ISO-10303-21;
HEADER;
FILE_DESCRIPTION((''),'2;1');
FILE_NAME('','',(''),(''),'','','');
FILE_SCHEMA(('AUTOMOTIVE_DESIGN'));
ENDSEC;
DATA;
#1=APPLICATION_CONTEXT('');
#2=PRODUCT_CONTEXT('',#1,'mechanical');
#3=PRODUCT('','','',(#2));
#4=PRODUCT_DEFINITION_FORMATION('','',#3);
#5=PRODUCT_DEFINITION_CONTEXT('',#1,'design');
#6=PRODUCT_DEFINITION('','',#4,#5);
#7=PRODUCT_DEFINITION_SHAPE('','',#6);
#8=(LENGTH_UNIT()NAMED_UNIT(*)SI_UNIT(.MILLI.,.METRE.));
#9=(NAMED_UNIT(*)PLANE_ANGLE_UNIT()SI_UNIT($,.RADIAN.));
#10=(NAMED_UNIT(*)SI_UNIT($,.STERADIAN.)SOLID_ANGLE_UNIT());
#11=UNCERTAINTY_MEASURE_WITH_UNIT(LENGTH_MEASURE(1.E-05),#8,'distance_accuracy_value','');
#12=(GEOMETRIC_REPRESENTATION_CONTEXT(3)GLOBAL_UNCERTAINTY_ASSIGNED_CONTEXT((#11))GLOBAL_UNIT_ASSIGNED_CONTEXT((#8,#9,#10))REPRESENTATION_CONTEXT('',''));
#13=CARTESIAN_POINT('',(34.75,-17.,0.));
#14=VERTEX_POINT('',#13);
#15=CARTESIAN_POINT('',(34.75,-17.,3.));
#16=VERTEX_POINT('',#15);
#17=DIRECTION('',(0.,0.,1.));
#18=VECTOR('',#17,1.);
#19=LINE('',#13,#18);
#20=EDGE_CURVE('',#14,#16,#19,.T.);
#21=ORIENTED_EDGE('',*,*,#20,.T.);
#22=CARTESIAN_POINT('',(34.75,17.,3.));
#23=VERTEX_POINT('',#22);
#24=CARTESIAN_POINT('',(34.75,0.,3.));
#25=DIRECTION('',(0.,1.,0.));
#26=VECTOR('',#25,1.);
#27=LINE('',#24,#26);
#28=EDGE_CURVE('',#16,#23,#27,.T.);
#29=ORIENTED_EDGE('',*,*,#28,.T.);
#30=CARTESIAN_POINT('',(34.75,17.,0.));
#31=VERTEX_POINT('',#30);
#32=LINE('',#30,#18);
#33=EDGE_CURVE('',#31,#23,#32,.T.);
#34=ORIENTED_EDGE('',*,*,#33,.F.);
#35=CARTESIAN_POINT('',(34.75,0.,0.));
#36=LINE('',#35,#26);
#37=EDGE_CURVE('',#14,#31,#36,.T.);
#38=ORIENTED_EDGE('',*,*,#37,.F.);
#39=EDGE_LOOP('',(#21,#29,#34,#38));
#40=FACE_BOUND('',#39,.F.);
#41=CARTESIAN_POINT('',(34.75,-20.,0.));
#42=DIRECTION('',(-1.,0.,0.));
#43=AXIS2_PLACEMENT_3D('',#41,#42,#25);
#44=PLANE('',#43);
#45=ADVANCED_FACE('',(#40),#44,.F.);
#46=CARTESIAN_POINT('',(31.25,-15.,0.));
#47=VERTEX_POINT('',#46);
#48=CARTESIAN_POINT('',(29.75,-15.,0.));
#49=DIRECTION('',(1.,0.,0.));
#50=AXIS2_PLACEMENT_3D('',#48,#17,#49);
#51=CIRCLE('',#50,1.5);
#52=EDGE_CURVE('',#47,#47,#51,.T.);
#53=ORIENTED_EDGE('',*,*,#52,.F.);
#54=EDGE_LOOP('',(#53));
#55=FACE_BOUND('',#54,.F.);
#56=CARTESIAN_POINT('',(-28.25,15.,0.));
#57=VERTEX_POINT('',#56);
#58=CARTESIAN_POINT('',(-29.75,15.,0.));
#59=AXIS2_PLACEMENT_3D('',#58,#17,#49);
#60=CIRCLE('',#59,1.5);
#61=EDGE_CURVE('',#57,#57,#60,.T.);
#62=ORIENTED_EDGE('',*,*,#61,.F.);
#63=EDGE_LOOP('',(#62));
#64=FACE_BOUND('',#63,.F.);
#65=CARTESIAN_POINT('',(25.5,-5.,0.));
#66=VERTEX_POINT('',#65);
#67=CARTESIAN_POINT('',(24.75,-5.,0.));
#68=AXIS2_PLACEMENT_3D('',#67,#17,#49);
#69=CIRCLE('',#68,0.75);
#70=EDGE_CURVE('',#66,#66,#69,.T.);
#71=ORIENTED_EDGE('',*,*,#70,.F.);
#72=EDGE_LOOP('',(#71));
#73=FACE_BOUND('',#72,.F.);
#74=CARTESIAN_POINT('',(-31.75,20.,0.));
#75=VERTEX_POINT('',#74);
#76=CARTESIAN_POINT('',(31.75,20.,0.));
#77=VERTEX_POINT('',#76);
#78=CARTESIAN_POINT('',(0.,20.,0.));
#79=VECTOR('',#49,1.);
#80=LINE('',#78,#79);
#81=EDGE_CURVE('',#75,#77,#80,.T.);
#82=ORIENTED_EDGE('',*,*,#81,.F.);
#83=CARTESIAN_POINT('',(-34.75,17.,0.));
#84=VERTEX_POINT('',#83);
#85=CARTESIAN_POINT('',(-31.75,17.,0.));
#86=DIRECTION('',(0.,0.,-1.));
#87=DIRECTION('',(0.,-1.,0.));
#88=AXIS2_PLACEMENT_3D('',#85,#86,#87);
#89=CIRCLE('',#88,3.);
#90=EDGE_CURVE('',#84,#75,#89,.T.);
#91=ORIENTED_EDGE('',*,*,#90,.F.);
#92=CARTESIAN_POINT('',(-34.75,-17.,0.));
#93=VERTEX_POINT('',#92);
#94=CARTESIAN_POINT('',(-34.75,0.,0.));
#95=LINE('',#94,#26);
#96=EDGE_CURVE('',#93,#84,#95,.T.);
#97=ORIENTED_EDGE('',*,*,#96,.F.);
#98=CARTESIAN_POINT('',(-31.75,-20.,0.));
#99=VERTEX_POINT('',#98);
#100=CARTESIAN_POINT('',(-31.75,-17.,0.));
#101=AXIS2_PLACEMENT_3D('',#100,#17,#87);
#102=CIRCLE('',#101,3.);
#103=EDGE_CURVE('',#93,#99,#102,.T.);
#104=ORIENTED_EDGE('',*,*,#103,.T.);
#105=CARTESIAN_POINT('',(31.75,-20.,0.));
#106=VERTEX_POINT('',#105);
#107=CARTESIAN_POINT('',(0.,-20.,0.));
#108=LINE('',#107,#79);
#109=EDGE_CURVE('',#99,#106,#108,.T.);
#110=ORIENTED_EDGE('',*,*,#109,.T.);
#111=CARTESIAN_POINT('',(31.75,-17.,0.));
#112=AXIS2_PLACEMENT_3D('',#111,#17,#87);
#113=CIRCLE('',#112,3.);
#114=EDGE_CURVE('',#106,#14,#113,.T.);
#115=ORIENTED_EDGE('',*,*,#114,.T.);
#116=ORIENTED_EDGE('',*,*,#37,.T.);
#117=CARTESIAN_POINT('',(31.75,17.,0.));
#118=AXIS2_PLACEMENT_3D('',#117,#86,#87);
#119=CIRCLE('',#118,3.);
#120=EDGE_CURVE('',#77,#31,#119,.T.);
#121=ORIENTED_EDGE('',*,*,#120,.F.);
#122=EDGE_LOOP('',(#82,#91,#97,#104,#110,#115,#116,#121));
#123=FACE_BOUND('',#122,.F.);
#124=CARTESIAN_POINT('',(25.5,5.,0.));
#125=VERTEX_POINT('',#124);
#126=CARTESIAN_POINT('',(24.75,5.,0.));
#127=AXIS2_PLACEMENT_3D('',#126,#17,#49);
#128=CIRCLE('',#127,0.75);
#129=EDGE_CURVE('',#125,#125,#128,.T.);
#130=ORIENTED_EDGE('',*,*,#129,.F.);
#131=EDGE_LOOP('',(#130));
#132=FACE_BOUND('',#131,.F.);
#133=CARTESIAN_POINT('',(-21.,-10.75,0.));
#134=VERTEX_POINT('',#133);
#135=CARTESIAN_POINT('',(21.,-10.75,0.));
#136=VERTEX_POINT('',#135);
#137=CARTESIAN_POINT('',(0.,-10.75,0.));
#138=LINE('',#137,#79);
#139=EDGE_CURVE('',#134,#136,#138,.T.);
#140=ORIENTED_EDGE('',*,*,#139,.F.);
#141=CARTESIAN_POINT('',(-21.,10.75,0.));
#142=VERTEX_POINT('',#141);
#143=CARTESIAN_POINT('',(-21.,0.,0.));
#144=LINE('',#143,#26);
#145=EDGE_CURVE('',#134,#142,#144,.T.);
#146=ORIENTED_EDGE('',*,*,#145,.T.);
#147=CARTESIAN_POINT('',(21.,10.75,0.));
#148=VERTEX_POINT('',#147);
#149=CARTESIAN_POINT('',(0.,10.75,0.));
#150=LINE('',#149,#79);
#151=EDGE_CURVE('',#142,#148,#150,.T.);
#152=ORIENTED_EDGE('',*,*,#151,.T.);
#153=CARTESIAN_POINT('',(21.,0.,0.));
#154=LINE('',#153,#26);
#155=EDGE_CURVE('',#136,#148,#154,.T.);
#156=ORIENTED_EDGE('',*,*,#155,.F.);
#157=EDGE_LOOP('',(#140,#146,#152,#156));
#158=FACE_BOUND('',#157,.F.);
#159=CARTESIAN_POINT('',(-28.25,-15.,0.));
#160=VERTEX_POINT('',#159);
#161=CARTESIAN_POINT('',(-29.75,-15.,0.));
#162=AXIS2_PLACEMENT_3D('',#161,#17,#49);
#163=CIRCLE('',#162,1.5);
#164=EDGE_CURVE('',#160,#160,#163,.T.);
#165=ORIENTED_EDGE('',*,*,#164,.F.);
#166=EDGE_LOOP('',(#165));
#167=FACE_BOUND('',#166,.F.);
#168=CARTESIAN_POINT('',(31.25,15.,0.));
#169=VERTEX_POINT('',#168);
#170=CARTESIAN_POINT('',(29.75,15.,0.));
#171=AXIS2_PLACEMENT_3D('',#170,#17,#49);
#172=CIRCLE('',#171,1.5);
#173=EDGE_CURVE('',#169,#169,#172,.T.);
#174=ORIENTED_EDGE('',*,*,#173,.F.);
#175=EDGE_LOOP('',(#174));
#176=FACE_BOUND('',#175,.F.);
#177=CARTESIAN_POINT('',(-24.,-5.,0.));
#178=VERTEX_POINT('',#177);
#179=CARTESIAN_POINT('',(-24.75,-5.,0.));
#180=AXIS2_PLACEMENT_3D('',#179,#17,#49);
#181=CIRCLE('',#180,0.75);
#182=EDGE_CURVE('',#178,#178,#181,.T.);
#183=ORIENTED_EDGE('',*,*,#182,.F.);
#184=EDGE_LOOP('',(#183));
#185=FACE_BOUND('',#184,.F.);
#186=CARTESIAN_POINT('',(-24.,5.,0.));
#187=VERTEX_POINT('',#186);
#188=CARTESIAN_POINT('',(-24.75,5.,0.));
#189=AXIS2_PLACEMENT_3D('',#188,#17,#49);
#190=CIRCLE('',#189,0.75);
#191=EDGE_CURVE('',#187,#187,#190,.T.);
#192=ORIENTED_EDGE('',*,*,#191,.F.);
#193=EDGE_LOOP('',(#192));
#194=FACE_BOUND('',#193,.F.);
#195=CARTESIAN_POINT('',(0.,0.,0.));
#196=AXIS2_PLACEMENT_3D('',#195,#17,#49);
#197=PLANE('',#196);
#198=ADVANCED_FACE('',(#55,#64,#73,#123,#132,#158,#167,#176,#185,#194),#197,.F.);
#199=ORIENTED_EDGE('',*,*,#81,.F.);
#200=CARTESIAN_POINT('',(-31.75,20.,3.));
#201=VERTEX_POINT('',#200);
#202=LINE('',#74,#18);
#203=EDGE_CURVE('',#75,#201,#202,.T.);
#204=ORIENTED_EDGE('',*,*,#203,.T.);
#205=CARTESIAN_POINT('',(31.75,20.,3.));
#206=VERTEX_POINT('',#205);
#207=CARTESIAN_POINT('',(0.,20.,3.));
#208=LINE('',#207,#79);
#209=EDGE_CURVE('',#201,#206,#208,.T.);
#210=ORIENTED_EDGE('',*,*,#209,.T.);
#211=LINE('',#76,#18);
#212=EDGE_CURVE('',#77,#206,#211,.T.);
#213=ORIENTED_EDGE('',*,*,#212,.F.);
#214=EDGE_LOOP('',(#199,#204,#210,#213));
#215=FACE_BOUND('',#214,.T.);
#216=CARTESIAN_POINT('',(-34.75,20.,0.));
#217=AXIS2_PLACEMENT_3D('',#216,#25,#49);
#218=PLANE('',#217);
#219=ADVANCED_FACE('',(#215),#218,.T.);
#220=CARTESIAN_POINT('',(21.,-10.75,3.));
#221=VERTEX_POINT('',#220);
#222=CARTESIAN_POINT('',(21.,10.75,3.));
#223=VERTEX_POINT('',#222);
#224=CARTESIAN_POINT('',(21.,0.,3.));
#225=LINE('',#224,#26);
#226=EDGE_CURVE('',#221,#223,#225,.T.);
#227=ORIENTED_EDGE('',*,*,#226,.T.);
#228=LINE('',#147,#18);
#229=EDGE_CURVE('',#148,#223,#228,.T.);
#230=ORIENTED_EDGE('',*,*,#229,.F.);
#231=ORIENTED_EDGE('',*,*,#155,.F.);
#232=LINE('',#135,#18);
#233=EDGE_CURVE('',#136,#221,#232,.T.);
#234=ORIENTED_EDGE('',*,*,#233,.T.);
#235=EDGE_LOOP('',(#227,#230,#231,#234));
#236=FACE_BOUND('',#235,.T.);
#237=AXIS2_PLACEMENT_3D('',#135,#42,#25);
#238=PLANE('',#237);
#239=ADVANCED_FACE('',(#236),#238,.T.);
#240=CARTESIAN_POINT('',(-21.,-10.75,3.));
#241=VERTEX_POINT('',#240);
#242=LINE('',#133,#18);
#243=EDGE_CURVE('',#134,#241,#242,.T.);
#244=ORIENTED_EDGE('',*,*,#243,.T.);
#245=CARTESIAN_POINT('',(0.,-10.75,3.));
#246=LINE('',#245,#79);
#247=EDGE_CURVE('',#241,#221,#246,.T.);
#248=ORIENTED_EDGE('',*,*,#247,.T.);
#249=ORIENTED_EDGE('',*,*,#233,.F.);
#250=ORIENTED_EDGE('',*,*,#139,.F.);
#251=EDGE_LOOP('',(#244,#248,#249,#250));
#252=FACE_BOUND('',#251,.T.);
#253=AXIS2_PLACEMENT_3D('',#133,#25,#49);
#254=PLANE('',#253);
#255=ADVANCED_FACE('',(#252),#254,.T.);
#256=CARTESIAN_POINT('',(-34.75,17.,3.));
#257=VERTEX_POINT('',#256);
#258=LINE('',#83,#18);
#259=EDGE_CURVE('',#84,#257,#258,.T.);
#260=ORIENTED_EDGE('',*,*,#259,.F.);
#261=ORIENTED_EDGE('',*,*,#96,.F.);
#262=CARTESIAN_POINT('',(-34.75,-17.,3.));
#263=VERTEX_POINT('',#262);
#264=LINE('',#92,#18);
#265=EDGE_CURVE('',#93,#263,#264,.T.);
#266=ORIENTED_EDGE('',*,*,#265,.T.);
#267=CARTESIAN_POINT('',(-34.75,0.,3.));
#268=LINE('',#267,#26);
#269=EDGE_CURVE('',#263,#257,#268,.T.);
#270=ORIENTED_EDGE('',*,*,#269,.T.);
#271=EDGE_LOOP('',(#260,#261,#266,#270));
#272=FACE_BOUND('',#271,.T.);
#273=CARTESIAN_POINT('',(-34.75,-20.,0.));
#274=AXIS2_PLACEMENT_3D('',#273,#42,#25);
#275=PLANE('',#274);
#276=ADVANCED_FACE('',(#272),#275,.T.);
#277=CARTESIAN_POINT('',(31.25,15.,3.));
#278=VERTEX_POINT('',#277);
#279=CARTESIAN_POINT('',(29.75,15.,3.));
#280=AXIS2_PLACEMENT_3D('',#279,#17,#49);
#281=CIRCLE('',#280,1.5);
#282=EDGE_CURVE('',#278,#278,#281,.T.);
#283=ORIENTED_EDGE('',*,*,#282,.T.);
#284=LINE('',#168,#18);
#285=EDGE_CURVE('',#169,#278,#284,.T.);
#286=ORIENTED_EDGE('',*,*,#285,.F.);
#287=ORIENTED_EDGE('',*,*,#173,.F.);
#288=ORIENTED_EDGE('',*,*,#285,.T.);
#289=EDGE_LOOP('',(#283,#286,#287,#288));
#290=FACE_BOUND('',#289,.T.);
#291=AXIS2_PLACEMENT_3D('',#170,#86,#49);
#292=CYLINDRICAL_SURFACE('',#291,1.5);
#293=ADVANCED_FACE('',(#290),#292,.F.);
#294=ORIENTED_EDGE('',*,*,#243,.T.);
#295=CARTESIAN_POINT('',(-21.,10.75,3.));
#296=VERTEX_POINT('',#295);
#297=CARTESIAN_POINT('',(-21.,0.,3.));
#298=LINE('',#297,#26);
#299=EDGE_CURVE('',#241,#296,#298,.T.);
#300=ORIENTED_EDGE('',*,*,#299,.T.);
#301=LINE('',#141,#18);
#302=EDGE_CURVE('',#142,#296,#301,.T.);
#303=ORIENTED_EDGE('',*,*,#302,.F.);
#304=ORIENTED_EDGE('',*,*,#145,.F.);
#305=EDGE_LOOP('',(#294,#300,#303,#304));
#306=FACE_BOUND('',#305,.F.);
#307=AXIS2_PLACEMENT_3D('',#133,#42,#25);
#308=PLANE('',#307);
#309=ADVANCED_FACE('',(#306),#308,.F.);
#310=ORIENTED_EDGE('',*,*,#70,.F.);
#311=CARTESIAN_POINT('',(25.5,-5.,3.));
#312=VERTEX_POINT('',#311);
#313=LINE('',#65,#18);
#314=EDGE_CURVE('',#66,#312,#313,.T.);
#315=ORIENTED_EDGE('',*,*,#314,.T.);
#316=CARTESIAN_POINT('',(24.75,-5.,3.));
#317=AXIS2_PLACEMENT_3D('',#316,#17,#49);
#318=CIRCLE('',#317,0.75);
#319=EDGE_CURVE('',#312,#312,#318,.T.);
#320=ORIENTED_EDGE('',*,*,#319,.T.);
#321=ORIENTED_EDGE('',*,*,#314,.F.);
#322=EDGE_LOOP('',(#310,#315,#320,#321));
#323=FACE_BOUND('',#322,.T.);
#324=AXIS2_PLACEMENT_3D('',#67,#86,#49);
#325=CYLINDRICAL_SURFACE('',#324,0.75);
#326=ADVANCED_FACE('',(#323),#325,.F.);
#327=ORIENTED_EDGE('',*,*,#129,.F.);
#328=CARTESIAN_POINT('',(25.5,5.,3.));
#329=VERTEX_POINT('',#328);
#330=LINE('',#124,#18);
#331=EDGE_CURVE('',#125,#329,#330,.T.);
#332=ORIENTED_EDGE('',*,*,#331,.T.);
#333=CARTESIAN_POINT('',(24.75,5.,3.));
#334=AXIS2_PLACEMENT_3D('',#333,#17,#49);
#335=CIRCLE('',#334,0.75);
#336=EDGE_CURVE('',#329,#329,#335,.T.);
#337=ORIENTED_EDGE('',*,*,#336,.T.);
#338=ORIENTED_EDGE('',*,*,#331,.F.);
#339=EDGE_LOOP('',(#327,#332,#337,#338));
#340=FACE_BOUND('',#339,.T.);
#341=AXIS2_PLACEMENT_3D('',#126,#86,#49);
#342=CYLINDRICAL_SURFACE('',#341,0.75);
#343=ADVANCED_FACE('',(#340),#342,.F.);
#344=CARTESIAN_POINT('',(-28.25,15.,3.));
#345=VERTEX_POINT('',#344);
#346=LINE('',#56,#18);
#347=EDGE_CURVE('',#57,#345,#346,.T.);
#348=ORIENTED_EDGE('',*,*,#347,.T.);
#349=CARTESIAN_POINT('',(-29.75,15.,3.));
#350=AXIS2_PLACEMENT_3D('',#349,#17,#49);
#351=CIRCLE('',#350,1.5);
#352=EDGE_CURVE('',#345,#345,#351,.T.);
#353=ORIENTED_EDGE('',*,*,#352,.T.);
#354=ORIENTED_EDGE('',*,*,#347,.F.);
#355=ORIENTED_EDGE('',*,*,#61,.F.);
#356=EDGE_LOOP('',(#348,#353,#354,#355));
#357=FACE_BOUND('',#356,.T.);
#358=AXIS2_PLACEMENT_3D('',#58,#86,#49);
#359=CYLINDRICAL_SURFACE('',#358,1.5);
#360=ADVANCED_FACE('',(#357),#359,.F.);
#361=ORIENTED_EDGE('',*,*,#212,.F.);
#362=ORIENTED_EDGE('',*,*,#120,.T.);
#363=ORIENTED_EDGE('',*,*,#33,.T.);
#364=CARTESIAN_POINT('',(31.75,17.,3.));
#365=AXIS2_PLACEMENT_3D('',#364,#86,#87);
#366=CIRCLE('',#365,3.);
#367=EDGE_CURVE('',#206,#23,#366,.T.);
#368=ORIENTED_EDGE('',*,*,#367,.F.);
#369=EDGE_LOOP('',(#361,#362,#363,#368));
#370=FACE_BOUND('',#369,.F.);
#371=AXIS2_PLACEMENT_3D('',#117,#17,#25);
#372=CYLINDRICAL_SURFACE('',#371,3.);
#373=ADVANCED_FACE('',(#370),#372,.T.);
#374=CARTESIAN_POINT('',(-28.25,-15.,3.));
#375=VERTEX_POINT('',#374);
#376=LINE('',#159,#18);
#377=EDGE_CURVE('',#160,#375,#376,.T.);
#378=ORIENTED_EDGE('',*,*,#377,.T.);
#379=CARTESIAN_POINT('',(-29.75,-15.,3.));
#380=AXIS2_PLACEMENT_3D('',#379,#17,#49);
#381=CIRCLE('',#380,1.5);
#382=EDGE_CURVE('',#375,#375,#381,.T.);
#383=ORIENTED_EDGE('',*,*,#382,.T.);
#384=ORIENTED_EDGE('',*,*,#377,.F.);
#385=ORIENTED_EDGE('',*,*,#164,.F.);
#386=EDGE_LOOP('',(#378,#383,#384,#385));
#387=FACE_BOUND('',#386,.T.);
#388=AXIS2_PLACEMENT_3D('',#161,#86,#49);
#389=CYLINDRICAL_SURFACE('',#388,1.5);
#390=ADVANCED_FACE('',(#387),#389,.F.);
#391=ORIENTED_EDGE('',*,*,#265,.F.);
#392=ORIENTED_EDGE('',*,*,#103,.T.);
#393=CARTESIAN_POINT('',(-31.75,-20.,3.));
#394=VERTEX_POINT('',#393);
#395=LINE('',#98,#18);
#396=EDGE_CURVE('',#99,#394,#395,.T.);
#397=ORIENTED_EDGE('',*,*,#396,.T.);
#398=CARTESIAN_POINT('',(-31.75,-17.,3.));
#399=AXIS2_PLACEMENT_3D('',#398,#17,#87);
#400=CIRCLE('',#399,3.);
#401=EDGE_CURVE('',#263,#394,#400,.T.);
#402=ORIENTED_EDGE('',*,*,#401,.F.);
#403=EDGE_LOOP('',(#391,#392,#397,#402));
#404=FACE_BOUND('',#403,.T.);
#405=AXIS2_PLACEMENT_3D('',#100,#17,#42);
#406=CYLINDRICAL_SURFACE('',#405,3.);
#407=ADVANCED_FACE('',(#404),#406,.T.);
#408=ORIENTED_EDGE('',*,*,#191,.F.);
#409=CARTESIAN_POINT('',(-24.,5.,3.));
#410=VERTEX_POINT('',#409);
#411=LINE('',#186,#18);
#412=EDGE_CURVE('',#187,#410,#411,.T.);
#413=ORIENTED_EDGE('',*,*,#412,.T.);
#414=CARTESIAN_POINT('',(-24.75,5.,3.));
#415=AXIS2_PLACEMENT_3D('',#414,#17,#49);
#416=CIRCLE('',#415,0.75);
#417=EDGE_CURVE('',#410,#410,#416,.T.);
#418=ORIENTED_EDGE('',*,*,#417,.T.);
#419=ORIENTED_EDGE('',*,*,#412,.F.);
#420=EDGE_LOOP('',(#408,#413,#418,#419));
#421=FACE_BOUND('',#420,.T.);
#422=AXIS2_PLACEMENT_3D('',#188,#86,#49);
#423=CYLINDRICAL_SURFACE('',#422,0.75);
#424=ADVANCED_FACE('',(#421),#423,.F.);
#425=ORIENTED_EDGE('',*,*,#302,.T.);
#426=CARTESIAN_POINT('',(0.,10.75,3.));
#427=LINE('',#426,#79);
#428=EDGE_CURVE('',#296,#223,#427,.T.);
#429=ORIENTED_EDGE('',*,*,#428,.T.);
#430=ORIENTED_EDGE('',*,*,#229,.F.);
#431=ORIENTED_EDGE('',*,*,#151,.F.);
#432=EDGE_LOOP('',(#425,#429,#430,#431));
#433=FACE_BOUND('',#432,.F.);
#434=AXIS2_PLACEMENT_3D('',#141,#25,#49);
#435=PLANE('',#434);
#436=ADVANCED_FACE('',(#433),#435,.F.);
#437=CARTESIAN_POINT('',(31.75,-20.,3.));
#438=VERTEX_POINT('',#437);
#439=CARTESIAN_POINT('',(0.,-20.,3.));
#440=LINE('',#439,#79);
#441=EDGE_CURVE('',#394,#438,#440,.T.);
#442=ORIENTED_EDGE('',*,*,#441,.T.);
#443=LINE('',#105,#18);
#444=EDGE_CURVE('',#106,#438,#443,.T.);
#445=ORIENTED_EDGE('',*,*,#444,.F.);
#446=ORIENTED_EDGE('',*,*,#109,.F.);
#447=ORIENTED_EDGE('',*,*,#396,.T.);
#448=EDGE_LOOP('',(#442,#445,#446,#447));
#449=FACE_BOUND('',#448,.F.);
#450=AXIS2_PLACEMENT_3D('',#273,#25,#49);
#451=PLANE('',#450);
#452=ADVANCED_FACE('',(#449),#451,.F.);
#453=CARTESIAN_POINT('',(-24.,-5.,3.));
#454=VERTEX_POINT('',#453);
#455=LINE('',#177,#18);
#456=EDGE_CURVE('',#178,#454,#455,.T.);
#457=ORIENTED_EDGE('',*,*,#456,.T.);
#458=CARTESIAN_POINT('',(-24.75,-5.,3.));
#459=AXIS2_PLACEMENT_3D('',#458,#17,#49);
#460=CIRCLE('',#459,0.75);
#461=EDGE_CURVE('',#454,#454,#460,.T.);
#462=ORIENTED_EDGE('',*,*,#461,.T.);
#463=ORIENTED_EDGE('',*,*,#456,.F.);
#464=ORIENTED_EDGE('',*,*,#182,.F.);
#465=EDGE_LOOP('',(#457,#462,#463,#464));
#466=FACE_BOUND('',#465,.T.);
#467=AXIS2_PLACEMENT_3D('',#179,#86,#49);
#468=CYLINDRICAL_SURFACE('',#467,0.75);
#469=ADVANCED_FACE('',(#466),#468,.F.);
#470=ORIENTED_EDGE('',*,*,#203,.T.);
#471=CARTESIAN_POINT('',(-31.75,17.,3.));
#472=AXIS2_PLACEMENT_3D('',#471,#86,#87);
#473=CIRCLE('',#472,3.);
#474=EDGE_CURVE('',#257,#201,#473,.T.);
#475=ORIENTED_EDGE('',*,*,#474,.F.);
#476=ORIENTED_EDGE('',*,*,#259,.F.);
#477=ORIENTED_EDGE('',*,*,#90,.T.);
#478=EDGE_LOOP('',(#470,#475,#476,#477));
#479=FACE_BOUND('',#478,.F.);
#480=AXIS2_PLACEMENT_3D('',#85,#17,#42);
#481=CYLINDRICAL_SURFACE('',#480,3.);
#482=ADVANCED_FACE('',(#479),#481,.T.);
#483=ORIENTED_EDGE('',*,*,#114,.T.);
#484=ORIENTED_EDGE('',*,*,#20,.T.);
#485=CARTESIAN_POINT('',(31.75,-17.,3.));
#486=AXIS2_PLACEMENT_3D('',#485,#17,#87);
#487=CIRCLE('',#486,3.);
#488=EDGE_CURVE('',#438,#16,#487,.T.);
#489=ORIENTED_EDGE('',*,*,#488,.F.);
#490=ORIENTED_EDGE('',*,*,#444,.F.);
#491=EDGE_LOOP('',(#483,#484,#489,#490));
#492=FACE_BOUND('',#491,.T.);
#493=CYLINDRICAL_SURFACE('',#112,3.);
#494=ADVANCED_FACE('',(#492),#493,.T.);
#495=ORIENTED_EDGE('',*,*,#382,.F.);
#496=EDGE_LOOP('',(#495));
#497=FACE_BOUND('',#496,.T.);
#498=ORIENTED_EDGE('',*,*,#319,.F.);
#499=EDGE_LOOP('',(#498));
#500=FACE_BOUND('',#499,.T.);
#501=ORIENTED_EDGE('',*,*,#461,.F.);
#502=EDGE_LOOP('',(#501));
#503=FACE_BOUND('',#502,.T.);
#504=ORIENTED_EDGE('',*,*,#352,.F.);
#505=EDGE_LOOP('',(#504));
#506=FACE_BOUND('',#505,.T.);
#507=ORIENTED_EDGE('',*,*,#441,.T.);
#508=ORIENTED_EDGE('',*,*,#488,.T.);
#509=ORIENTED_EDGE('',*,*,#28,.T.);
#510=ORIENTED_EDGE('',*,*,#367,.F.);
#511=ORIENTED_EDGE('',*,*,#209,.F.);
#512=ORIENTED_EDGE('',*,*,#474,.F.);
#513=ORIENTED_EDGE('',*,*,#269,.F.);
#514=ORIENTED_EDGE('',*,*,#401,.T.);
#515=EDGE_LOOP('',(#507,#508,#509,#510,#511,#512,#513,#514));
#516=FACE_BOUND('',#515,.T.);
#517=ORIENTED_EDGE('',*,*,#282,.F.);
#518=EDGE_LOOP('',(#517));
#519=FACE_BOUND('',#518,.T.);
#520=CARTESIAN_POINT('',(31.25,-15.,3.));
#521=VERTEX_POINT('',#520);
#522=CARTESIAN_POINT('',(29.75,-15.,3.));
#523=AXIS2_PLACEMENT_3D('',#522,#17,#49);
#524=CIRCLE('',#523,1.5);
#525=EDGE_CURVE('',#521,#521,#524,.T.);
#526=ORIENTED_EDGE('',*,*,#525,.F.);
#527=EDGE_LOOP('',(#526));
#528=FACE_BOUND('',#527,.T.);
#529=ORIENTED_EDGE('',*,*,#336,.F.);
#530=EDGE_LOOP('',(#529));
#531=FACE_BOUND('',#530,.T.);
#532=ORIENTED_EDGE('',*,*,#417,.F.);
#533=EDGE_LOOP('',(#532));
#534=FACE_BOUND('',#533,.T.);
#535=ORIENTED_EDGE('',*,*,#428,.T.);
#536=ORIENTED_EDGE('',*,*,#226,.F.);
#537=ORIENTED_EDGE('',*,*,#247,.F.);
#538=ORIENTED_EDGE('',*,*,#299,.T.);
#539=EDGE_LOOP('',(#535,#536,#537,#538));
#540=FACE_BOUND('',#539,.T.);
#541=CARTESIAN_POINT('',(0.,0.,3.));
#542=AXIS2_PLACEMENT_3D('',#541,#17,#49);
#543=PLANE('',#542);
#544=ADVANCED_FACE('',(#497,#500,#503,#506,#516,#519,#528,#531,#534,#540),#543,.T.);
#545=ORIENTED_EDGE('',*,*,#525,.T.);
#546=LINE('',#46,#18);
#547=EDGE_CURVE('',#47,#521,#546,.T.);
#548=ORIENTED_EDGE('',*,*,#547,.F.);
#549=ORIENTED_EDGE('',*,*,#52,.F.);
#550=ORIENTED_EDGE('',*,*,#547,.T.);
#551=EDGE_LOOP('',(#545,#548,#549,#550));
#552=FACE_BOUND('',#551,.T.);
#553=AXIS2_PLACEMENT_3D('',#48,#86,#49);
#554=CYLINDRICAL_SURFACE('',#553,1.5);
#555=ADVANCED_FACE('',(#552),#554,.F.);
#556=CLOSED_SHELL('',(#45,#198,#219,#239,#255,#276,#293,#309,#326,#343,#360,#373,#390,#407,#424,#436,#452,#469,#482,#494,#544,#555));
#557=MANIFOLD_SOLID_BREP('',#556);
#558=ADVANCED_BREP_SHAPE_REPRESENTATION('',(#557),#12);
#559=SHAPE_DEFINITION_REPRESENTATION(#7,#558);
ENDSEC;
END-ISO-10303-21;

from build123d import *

# Parameters (mm, degrees)
F0_W     = 69.5
F0_H     = 40
F0_R     = 1.5
F0_R_2   = 0.75
F0_W_2   = 42
F0_H_2   = 21.5
F1_DEPTH = 3
F2_R     = 3


with BuildPart() as f1:
    # F0 (on Top) → F1 (new body)
    with BuildSketch(Plane.XY):
        Rectangle(F0_W, F0_H)
        with Locations((-29.75, -15)):
            Circle(F0_R, mode=Mode.SUBTRACT)
        with Locations((-24.75, -5)):
            Circle(F0_R_2, mode=Mode.SUBTRACT)
        with Locations((29.75, -15)):
            Circle(F0_R, mode=Mode.SUBTRACT)
        with Locations((24.75, -5)):
            Circle(F0_R_2, mode=Mode.SUBTRACT)
        with Locations((-24.75, 5)):
            Circle(F0_R_2, mode=Mode.SUBTRACT)
        with Locations((-29.75, 15)):
            Circle(F0_R, mode=Mode.SUBTRACT)
        Rectangle(F0_W_2, F0_H_2, mode=Mode.SUBTRACT)
        with Locations((24.75, 5)):
            Circle(F0_R_2, mode=Mode.SUBTRACT)
        with Locations((29.75, 15)):
            Circle(F0_R, mode=Mode.SUBTRACT)
    extrude(amount=F1_DEPTH)

    # F2
    f2_edges = [f1.edges().sort_by_distance(p)[0] for p in [
        (-34.75, -20, 1.5),
        (34.75, -20, 1.5),
        (34.75, 20, 1.5),
        (-34.75, 20, 1.5),
    ]]
    fillet(f2_edges, radius=F2_R)


solid = f1.part
